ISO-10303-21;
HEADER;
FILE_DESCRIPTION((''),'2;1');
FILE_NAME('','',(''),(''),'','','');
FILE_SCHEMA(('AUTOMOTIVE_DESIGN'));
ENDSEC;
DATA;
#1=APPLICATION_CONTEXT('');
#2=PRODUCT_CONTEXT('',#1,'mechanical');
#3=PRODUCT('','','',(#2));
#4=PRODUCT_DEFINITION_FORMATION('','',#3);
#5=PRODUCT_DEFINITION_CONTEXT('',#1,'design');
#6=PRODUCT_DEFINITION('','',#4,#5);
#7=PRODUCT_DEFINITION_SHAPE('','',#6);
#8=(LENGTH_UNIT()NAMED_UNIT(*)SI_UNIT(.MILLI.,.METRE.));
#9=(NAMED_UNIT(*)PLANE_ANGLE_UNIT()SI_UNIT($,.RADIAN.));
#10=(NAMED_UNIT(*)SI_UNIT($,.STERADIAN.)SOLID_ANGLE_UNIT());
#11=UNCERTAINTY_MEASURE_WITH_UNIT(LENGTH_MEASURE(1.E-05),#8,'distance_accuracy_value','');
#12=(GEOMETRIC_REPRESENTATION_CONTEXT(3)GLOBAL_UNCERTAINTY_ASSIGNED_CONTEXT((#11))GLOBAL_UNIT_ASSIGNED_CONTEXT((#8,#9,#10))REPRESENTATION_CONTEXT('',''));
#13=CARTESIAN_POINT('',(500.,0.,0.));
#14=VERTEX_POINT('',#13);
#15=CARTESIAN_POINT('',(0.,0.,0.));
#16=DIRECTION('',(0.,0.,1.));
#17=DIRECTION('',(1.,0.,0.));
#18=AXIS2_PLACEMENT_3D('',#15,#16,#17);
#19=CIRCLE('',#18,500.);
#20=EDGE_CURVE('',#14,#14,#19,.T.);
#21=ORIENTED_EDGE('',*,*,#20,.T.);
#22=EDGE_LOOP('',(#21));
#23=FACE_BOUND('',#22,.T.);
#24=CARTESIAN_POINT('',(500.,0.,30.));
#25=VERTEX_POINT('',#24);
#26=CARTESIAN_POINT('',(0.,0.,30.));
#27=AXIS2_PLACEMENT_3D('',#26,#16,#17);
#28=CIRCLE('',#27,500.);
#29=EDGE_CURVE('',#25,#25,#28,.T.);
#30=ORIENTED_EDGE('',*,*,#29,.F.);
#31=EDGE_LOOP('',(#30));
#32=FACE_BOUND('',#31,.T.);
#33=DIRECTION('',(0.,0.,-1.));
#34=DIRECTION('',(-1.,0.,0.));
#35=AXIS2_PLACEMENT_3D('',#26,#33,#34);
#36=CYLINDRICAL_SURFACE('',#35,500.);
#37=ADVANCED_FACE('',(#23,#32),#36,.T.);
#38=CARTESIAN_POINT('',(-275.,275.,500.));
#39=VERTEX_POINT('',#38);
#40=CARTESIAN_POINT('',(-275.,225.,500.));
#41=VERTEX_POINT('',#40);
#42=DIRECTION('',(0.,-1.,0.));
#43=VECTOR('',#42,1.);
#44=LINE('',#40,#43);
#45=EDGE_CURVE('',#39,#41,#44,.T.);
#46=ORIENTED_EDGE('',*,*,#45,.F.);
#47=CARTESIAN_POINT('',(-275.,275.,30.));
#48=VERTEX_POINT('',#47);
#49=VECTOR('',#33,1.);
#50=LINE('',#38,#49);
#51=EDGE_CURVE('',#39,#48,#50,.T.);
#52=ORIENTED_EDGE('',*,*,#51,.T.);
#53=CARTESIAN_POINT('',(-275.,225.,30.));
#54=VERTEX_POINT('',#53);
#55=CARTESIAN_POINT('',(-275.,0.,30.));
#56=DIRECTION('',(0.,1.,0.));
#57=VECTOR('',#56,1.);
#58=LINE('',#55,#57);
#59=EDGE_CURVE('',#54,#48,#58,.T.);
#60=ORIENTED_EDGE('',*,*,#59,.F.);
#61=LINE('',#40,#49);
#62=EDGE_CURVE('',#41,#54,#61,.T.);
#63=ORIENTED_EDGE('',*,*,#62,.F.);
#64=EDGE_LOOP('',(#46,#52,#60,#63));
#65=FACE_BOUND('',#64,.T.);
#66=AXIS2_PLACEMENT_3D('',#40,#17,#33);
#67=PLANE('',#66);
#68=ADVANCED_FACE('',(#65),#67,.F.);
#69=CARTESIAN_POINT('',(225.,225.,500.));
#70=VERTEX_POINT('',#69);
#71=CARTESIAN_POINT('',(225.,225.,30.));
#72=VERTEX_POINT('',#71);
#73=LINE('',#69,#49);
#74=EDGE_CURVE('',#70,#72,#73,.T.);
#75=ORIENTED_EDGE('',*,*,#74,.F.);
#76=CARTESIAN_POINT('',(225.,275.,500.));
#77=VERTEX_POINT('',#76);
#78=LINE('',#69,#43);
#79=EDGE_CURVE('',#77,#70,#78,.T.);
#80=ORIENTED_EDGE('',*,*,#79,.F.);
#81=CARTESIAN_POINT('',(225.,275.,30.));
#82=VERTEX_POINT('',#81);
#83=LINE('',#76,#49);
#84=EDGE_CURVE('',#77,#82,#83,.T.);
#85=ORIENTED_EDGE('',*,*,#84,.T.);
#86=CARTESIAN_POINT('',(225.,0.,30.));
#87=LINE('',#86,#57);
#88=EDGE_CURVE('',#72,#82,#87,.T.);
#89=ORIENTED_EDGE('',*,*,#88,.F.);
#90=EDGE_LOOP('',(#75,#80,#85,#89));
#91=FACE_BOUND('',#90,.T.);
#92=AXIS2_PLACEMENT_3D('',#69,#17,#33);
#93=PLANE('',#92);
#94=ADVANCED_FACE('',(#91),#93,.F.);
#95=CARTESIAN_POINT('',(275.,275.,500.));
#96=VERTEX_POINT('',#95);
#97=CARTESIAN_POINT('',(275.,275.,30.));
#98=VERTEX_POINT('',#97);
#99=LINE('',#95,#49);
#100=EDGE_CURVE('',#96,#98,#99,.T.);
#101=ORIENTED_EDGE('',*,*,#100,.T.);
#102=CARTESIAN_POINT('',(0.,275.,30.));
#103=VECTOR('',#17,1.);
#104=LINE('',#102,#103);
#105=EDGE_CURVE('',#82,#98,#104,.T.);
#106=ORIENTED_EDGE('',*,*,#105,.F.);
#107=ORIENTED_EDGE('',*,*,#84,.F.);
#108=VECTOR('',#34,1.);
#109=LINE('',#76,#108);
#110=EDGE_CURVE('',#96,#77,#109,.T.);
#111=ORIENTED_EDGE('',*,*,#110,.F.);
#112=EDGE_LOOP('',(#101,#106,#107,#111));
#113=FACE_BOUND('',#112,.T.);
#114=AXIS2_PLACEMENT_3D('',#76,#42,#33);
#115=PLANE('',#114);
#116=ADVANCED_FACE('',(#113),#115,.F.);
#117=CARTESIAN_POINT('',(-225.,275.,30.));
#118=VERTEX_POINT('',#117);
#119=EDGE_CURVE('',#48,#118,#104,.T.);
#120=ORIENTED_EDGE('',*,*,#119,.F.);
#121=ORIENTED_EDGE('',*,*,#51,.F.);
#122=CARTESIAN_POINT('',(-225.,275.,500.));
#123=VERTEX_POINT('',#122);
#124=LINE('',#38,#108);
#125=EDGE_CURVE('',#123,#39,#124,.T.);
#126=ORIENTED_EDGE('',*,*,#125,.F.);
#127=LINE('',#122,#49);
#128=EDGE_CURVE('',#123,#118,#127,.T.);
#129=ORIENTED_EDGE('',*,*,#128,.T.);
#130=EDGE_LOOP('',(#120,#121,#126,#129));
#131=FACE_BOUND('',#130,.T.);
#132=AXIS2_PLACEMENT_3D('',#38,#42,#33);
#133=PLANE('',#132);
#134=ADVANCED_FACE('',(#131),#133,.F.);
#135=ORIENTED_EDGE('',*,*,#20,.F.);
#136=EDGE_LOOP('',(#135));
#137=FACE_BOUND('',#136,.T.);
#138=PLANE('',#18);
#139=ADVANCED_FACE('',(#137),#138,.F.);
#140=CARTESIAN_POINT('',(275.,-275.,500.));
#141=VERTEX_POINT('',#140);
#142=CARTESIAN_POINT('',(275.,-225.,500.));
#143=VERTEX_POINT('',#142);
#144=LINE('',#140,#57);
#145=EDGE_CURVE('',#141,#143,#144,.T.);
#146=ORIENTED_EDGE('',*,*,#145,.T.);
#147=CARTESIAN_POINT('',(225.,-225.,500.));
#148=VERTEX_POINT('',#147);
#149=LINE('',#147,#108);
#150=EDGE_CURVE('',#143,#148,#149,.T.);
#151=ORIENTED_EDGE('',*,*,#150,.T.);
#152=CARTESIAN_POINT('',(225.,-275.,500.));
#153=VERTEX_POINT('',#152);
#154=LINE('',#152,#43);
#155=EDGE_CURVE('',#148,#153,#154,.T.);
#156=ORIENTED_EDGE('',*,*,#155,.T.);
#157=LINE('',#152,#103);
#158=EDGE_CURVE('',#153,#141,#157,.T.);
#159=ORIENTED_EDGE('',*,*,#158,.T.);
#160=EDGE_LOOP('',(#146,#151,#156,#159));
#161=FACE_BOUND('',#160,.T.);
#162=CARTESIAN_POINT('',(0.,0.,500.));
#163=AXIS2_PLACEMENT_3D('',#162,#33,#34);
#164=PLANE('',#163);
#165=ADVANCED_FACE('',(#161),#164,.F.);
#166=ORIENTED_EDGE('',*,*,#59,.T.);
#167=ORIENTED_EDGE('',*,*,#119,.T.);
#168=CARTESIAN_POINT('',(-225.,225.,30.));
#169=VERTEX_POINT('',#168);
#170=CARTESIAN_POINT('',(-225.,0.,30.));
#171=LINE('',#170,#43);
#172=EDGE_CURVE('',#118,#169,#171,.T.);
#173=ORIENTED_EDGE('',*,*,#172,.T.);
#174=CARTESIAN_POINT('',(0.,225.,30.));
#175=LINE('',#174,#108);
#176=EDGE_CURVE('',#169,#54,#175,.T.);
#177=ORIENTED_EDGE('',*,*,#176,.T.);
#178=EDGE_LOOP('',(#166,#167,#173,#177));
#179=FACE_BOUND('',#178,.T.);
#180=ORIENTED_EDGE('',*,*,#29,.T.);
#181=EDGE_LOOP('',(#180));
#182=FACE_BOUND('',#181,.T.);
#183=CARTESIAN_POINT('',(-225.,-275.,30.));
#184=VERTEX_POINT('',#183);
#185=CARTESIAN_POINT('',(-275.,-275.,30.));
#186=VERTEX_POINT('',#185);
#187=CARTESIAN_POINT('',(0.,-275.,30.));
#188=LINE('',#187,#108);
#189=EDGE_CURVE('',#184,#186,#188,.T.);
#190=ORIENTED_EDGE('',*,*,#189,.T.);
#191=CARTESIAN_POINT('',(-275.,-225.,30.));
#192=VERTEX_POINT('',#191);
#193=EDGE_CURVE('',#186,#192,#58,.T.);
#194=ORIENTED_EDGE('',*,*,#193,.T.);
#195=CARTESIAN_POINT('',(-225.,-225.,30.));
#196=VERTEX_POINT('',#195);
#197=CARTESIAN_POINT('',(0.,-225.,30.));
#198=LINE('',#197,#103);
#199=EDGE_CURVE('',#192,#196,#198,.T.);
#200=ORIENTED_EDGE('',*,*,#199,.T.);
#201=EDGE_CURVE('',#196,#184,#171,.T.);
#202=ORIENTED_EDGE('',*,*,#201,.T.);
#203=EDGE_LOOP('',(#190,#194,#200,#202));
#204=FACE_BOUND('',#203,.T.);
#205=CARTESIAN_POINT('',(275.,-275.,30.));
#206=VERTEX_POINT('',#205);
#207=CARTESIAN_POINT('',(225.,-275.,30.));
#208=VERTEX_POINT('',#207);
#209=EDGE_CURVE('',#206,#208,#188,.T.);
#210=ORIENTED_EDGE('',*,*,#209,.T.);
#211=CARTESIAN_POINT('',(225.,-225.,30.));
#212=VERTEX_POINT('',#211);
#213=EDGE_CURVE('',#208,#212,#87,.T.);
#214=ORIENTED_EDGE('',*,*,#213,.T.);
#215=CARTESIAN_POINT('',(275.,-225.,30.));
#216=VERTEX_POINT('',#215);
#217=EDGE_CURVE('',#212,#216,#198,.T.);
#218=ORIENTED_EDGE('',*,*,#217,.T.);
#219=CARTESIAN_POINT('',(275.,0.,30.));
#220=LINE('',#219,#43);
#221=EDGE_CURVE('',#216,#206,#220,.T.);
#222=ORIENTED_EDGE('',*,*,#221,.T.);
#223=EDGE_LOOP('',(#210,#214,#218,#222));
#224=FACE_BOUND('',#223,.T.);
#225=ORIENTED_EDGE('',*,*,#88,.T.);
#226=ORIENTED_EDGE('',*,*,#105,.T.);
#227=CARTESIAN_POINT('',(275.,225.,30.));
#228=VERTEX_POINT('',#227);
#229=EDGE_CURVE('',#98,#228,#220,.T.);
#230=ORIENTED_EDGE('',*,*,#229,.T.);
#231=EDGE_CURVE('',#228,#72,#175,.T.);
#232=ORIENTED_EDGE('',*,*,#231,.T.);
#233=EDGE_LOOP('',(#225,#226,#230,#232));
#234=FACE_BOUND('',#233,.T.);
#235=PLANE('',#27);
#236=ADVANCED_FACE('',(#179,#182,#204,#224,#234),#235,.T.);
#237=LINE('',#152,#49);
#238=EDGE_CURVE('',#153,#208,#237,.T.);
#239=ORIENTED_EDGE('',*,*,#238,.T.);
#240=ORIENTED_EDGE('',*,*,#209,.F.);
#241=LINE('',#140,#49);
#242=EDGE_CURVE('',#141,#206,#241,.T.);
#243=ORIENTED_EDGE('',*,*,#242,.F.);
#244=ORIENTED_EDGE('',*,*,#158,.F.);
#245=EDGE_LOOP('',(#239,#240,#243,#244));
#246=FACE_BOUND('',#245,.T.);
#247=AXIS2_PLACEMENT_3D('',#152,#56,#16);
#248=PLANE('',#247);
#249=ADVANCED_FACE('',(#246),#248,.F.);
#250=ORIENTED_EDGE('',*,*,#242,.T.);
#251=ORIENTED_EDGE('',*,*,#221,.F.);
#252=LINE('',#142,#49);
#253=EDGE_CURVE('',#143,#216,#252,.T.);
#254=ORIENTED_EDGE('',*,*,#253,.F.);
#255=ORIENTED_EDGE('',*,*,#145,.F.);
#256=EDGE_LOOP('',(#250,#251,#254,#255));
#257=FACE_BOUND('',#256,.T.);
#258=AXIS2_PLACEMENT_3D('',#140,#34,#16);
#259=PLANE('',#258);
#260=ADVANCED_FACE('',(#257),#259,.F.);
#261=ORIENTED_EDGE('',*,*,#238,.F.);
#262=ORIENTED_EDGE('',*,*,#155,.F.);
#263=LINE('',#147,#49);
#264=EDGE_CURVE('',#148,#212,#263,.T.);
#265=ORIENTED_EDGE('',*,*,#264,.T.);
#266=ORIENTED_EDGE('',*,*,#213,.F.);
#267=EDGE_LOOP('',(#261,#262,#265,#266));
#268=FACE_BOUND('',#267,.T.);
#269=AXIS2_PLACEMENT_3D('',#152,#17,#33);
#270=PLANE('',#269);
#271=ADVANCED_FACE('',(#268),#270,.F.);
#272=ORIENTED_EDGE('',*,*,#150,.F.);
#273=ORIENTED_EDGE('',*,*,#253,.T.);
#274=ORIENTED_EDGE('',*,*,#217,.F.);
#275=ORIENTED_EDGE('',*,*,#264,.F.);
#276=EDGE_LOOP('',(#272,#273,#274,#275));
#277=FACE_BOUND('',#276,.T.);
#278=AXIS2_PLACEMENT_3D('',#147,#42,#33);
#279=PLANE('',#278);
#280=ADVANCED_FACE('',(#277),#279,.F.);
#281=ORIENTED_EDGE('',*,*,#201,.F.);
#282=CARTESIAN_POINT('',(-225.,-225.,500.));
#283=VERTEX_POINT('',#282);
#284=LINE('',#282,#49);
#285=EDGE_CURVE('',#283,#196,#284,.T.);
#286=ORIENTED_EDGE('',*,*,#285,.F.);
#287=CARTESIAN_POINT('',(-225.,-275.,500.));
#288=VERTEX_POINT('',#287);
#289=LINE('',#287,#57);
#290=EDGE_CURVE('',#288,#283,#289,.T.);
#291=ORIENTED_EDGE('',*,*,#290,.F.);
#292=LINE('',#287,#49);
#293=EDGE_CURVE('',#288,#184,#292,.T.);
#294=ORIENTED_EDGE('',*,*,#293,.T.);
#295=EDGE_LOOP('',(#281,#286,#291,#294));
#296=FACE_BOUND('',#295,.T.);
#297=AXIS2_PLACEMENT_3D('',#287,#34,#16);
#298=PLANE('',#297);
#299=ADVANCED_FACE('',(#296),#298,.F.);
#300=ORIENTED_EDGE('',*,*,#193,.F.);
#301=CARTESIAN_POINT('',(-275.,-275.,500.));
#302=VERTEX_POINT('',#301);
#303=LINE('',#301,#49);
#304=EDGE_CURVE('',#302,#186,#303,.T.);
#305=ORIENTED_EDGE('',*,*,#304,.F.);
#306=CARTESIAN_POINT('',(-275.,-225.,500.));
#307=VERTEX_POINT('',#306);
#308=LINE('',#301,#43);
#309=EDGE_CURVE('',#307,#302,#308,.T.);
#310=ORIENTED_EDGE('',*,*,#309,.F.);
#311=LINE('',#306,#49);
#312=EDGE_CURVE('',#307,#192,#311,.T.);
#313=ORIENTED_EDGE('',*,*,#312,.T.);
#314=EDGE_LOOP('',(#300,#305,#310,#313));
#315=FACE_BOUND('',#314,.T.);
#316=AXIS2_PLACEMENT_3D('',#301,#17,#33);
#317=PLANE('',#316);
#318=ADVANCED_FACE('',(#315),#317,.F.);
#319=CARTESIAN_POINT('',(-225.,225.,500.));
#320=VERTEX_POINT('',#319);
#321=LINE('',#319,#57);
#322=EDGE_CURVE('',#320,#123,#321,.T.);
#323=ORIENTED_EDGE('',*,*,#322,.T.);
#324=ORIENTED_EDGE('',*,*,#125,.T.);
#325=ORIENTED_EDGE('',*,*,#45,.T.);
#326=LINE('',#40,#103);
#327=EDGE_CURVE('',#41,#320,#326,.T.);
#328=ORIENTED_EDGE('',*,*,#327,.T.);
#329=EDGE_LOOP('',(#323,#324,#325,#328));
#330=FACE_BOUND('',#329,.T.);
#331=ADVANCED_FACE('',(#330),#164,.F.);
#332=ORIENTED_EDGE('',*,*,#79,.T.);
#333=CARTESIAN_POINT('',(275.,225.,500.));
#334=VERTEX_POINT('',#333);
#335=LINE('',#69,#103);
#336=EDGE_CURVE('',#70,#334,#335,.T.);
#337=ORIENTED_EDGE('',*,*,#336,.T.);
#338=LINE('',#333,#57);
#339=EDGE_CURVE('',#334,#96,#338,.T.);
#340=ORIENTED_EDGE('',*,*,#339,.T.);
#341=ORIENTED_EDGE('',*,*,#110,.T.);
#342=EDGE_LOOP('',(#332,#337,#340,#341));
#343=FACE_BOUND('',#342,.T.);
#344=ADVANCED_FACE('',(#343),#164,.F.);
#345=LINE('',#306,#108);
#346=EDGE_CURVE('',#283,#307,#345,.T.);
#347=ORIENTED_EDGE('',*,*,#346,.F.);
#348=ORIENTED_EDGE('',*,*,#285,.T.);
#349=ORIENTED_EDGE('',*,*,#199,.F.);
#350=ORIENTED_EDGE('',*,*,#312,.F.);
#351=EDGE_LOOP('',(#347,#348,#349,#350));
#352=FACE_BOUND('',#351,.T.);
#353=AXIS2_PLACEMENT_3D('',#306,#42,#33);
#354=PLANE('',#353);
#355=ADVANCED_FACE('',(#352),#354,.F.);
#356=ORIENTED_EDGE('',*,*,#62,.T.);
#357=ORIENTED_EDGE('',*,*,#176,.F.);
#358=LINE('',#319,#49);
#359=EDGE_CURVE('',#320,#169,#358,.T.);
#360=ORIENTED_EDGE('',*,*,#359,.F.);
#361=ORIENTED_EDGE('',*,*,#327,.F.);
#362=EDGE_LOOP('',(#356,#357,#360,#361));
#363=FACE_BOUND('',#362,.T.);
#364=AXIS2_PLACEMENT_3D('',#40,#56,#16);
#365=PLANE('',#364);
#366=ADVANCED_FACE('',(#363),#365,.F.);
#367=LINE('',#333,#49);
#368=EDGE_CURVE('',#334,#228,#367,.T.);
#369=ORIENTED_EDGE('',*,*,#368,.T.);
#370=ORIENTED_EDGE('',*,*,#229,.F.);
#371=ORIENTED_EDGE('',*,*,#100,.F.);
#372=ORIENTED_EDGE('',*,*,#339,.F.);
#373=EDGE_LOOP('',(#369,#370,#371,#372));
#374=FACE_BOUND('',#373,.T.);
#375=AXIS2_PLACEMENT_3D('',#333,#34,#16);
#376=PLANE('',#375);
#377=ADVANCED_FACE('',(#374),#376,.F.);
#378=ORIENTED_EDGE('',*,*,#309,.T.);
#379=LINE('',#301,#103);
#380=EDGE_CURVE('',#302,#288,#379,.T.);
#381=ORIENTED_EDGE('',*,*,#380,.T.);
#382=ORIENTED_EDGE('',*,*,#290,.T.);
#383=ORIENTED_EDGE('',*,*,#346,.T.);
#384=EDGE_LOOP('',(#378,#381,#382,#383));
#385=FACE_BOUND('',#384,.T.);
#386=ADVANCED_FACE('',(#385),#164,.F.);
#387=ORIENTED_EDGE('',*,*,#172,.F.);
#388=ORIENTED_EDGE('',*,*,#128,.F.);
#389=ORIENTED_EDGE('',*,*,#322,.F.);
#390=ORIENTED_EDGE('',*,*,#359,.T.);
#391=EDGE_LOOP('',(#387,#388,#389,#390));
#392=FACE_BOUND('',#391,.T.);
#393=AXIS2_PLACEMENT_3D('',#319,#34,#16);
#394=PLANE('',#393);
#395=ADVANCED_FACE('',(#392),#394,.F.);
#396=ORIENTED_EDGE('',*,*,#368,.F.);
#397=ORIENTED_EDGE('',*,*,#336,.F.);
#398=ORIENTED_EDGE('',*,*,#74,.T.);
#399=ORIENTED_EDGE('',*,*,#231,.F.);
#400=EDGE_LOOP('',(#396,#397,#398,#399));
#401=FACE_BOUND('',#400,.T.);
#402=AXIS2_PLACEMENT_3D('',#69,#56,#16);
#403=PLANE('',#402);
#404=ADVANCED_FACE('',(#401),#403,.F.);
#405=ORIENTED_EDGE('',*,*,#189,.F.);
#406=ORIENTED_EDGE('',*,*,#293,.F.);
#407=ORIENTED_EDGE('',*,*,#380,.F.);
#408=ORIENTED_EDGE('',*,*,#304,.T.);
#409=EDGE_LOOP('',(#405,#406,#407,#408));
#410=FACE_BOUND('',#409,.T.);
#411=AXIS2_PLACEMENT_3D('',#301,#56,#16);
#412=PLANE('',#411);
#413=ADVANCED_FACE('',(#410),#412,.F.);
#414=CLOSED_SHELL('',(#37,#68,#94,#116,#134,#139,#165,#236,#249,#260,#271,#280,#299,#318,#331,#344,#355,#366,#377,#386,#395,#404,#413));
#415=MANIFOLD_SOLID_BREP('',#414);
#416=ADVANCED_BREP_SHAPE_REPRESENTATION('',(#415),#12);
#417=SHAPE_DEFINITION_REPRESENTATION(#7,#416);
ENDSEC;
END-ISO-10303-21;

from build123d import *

# Parameters (mm, degrees)
SKETCH_1_R      = 500
EXTRUDE_1_DEPTH = 30
SKETCH_2_W      = 50
SKETCH_2_H      = 50
EXTRUDE_2_DEPTH = 500
SKETCH_3_W      = 50
SKETCH_3_H      = 50
EXTRUDE_3_DEPTH = 500
SKETCH_4_W      = 50
SKETCH_4_H      = 50
EXTRUDE_4_DEPTH = 500
SKETCH_5_W      = 50
SKETCH_5_H      = 50
EXTRUDE_5_DEPTH = 500


with BuildPart() as part:
    # 草图1 → 凸台-拉伸1 (new body)
    with BuildSketch(Plane.XY):
        Circle(SKETCH_1_R)
    extrude(amount=EXTRUDE_1_DEPTH)

    # 草图2 → 凸台-拉伸2 (add)
    with BuildSketch(Plane.XY):
        with Locations((250, 250)):
            Rectangle(SKETCH_2_W, SKETCH_2_H)
    extrude(amount=EXTRUDE_2_DEPTH)

    # 草图3 → 凸台-拉伸3 (add)
    with BuildSketch(Plane.XY):
        with Locations((250, -250)):
            Rectangle(SKETCH_3_W, SKETCH_3_H)
    extrude(amount=EXTRUDE_3_DEPTH)

    # 草图4 → 凸台-拉伸4 (add)
    with BuildSketch(Plane.XY):
        with Locations((-250, 250)):
            Rectangle(SKETCH_4_W, SKETCH_4_H)
    extrude(amount=EXTRUDE_4_DEPTH)

    # 草图5 → 凸台-拉伸5 (add)
    with BuildSketch(Plane.XY):
        with Locations((-250, -250)):
            Rectangle(SKETCH_5_W, SKETCH_5_H)
    extrude(amount=EXTRUDE_5_DEPTH)


solid = part.part
